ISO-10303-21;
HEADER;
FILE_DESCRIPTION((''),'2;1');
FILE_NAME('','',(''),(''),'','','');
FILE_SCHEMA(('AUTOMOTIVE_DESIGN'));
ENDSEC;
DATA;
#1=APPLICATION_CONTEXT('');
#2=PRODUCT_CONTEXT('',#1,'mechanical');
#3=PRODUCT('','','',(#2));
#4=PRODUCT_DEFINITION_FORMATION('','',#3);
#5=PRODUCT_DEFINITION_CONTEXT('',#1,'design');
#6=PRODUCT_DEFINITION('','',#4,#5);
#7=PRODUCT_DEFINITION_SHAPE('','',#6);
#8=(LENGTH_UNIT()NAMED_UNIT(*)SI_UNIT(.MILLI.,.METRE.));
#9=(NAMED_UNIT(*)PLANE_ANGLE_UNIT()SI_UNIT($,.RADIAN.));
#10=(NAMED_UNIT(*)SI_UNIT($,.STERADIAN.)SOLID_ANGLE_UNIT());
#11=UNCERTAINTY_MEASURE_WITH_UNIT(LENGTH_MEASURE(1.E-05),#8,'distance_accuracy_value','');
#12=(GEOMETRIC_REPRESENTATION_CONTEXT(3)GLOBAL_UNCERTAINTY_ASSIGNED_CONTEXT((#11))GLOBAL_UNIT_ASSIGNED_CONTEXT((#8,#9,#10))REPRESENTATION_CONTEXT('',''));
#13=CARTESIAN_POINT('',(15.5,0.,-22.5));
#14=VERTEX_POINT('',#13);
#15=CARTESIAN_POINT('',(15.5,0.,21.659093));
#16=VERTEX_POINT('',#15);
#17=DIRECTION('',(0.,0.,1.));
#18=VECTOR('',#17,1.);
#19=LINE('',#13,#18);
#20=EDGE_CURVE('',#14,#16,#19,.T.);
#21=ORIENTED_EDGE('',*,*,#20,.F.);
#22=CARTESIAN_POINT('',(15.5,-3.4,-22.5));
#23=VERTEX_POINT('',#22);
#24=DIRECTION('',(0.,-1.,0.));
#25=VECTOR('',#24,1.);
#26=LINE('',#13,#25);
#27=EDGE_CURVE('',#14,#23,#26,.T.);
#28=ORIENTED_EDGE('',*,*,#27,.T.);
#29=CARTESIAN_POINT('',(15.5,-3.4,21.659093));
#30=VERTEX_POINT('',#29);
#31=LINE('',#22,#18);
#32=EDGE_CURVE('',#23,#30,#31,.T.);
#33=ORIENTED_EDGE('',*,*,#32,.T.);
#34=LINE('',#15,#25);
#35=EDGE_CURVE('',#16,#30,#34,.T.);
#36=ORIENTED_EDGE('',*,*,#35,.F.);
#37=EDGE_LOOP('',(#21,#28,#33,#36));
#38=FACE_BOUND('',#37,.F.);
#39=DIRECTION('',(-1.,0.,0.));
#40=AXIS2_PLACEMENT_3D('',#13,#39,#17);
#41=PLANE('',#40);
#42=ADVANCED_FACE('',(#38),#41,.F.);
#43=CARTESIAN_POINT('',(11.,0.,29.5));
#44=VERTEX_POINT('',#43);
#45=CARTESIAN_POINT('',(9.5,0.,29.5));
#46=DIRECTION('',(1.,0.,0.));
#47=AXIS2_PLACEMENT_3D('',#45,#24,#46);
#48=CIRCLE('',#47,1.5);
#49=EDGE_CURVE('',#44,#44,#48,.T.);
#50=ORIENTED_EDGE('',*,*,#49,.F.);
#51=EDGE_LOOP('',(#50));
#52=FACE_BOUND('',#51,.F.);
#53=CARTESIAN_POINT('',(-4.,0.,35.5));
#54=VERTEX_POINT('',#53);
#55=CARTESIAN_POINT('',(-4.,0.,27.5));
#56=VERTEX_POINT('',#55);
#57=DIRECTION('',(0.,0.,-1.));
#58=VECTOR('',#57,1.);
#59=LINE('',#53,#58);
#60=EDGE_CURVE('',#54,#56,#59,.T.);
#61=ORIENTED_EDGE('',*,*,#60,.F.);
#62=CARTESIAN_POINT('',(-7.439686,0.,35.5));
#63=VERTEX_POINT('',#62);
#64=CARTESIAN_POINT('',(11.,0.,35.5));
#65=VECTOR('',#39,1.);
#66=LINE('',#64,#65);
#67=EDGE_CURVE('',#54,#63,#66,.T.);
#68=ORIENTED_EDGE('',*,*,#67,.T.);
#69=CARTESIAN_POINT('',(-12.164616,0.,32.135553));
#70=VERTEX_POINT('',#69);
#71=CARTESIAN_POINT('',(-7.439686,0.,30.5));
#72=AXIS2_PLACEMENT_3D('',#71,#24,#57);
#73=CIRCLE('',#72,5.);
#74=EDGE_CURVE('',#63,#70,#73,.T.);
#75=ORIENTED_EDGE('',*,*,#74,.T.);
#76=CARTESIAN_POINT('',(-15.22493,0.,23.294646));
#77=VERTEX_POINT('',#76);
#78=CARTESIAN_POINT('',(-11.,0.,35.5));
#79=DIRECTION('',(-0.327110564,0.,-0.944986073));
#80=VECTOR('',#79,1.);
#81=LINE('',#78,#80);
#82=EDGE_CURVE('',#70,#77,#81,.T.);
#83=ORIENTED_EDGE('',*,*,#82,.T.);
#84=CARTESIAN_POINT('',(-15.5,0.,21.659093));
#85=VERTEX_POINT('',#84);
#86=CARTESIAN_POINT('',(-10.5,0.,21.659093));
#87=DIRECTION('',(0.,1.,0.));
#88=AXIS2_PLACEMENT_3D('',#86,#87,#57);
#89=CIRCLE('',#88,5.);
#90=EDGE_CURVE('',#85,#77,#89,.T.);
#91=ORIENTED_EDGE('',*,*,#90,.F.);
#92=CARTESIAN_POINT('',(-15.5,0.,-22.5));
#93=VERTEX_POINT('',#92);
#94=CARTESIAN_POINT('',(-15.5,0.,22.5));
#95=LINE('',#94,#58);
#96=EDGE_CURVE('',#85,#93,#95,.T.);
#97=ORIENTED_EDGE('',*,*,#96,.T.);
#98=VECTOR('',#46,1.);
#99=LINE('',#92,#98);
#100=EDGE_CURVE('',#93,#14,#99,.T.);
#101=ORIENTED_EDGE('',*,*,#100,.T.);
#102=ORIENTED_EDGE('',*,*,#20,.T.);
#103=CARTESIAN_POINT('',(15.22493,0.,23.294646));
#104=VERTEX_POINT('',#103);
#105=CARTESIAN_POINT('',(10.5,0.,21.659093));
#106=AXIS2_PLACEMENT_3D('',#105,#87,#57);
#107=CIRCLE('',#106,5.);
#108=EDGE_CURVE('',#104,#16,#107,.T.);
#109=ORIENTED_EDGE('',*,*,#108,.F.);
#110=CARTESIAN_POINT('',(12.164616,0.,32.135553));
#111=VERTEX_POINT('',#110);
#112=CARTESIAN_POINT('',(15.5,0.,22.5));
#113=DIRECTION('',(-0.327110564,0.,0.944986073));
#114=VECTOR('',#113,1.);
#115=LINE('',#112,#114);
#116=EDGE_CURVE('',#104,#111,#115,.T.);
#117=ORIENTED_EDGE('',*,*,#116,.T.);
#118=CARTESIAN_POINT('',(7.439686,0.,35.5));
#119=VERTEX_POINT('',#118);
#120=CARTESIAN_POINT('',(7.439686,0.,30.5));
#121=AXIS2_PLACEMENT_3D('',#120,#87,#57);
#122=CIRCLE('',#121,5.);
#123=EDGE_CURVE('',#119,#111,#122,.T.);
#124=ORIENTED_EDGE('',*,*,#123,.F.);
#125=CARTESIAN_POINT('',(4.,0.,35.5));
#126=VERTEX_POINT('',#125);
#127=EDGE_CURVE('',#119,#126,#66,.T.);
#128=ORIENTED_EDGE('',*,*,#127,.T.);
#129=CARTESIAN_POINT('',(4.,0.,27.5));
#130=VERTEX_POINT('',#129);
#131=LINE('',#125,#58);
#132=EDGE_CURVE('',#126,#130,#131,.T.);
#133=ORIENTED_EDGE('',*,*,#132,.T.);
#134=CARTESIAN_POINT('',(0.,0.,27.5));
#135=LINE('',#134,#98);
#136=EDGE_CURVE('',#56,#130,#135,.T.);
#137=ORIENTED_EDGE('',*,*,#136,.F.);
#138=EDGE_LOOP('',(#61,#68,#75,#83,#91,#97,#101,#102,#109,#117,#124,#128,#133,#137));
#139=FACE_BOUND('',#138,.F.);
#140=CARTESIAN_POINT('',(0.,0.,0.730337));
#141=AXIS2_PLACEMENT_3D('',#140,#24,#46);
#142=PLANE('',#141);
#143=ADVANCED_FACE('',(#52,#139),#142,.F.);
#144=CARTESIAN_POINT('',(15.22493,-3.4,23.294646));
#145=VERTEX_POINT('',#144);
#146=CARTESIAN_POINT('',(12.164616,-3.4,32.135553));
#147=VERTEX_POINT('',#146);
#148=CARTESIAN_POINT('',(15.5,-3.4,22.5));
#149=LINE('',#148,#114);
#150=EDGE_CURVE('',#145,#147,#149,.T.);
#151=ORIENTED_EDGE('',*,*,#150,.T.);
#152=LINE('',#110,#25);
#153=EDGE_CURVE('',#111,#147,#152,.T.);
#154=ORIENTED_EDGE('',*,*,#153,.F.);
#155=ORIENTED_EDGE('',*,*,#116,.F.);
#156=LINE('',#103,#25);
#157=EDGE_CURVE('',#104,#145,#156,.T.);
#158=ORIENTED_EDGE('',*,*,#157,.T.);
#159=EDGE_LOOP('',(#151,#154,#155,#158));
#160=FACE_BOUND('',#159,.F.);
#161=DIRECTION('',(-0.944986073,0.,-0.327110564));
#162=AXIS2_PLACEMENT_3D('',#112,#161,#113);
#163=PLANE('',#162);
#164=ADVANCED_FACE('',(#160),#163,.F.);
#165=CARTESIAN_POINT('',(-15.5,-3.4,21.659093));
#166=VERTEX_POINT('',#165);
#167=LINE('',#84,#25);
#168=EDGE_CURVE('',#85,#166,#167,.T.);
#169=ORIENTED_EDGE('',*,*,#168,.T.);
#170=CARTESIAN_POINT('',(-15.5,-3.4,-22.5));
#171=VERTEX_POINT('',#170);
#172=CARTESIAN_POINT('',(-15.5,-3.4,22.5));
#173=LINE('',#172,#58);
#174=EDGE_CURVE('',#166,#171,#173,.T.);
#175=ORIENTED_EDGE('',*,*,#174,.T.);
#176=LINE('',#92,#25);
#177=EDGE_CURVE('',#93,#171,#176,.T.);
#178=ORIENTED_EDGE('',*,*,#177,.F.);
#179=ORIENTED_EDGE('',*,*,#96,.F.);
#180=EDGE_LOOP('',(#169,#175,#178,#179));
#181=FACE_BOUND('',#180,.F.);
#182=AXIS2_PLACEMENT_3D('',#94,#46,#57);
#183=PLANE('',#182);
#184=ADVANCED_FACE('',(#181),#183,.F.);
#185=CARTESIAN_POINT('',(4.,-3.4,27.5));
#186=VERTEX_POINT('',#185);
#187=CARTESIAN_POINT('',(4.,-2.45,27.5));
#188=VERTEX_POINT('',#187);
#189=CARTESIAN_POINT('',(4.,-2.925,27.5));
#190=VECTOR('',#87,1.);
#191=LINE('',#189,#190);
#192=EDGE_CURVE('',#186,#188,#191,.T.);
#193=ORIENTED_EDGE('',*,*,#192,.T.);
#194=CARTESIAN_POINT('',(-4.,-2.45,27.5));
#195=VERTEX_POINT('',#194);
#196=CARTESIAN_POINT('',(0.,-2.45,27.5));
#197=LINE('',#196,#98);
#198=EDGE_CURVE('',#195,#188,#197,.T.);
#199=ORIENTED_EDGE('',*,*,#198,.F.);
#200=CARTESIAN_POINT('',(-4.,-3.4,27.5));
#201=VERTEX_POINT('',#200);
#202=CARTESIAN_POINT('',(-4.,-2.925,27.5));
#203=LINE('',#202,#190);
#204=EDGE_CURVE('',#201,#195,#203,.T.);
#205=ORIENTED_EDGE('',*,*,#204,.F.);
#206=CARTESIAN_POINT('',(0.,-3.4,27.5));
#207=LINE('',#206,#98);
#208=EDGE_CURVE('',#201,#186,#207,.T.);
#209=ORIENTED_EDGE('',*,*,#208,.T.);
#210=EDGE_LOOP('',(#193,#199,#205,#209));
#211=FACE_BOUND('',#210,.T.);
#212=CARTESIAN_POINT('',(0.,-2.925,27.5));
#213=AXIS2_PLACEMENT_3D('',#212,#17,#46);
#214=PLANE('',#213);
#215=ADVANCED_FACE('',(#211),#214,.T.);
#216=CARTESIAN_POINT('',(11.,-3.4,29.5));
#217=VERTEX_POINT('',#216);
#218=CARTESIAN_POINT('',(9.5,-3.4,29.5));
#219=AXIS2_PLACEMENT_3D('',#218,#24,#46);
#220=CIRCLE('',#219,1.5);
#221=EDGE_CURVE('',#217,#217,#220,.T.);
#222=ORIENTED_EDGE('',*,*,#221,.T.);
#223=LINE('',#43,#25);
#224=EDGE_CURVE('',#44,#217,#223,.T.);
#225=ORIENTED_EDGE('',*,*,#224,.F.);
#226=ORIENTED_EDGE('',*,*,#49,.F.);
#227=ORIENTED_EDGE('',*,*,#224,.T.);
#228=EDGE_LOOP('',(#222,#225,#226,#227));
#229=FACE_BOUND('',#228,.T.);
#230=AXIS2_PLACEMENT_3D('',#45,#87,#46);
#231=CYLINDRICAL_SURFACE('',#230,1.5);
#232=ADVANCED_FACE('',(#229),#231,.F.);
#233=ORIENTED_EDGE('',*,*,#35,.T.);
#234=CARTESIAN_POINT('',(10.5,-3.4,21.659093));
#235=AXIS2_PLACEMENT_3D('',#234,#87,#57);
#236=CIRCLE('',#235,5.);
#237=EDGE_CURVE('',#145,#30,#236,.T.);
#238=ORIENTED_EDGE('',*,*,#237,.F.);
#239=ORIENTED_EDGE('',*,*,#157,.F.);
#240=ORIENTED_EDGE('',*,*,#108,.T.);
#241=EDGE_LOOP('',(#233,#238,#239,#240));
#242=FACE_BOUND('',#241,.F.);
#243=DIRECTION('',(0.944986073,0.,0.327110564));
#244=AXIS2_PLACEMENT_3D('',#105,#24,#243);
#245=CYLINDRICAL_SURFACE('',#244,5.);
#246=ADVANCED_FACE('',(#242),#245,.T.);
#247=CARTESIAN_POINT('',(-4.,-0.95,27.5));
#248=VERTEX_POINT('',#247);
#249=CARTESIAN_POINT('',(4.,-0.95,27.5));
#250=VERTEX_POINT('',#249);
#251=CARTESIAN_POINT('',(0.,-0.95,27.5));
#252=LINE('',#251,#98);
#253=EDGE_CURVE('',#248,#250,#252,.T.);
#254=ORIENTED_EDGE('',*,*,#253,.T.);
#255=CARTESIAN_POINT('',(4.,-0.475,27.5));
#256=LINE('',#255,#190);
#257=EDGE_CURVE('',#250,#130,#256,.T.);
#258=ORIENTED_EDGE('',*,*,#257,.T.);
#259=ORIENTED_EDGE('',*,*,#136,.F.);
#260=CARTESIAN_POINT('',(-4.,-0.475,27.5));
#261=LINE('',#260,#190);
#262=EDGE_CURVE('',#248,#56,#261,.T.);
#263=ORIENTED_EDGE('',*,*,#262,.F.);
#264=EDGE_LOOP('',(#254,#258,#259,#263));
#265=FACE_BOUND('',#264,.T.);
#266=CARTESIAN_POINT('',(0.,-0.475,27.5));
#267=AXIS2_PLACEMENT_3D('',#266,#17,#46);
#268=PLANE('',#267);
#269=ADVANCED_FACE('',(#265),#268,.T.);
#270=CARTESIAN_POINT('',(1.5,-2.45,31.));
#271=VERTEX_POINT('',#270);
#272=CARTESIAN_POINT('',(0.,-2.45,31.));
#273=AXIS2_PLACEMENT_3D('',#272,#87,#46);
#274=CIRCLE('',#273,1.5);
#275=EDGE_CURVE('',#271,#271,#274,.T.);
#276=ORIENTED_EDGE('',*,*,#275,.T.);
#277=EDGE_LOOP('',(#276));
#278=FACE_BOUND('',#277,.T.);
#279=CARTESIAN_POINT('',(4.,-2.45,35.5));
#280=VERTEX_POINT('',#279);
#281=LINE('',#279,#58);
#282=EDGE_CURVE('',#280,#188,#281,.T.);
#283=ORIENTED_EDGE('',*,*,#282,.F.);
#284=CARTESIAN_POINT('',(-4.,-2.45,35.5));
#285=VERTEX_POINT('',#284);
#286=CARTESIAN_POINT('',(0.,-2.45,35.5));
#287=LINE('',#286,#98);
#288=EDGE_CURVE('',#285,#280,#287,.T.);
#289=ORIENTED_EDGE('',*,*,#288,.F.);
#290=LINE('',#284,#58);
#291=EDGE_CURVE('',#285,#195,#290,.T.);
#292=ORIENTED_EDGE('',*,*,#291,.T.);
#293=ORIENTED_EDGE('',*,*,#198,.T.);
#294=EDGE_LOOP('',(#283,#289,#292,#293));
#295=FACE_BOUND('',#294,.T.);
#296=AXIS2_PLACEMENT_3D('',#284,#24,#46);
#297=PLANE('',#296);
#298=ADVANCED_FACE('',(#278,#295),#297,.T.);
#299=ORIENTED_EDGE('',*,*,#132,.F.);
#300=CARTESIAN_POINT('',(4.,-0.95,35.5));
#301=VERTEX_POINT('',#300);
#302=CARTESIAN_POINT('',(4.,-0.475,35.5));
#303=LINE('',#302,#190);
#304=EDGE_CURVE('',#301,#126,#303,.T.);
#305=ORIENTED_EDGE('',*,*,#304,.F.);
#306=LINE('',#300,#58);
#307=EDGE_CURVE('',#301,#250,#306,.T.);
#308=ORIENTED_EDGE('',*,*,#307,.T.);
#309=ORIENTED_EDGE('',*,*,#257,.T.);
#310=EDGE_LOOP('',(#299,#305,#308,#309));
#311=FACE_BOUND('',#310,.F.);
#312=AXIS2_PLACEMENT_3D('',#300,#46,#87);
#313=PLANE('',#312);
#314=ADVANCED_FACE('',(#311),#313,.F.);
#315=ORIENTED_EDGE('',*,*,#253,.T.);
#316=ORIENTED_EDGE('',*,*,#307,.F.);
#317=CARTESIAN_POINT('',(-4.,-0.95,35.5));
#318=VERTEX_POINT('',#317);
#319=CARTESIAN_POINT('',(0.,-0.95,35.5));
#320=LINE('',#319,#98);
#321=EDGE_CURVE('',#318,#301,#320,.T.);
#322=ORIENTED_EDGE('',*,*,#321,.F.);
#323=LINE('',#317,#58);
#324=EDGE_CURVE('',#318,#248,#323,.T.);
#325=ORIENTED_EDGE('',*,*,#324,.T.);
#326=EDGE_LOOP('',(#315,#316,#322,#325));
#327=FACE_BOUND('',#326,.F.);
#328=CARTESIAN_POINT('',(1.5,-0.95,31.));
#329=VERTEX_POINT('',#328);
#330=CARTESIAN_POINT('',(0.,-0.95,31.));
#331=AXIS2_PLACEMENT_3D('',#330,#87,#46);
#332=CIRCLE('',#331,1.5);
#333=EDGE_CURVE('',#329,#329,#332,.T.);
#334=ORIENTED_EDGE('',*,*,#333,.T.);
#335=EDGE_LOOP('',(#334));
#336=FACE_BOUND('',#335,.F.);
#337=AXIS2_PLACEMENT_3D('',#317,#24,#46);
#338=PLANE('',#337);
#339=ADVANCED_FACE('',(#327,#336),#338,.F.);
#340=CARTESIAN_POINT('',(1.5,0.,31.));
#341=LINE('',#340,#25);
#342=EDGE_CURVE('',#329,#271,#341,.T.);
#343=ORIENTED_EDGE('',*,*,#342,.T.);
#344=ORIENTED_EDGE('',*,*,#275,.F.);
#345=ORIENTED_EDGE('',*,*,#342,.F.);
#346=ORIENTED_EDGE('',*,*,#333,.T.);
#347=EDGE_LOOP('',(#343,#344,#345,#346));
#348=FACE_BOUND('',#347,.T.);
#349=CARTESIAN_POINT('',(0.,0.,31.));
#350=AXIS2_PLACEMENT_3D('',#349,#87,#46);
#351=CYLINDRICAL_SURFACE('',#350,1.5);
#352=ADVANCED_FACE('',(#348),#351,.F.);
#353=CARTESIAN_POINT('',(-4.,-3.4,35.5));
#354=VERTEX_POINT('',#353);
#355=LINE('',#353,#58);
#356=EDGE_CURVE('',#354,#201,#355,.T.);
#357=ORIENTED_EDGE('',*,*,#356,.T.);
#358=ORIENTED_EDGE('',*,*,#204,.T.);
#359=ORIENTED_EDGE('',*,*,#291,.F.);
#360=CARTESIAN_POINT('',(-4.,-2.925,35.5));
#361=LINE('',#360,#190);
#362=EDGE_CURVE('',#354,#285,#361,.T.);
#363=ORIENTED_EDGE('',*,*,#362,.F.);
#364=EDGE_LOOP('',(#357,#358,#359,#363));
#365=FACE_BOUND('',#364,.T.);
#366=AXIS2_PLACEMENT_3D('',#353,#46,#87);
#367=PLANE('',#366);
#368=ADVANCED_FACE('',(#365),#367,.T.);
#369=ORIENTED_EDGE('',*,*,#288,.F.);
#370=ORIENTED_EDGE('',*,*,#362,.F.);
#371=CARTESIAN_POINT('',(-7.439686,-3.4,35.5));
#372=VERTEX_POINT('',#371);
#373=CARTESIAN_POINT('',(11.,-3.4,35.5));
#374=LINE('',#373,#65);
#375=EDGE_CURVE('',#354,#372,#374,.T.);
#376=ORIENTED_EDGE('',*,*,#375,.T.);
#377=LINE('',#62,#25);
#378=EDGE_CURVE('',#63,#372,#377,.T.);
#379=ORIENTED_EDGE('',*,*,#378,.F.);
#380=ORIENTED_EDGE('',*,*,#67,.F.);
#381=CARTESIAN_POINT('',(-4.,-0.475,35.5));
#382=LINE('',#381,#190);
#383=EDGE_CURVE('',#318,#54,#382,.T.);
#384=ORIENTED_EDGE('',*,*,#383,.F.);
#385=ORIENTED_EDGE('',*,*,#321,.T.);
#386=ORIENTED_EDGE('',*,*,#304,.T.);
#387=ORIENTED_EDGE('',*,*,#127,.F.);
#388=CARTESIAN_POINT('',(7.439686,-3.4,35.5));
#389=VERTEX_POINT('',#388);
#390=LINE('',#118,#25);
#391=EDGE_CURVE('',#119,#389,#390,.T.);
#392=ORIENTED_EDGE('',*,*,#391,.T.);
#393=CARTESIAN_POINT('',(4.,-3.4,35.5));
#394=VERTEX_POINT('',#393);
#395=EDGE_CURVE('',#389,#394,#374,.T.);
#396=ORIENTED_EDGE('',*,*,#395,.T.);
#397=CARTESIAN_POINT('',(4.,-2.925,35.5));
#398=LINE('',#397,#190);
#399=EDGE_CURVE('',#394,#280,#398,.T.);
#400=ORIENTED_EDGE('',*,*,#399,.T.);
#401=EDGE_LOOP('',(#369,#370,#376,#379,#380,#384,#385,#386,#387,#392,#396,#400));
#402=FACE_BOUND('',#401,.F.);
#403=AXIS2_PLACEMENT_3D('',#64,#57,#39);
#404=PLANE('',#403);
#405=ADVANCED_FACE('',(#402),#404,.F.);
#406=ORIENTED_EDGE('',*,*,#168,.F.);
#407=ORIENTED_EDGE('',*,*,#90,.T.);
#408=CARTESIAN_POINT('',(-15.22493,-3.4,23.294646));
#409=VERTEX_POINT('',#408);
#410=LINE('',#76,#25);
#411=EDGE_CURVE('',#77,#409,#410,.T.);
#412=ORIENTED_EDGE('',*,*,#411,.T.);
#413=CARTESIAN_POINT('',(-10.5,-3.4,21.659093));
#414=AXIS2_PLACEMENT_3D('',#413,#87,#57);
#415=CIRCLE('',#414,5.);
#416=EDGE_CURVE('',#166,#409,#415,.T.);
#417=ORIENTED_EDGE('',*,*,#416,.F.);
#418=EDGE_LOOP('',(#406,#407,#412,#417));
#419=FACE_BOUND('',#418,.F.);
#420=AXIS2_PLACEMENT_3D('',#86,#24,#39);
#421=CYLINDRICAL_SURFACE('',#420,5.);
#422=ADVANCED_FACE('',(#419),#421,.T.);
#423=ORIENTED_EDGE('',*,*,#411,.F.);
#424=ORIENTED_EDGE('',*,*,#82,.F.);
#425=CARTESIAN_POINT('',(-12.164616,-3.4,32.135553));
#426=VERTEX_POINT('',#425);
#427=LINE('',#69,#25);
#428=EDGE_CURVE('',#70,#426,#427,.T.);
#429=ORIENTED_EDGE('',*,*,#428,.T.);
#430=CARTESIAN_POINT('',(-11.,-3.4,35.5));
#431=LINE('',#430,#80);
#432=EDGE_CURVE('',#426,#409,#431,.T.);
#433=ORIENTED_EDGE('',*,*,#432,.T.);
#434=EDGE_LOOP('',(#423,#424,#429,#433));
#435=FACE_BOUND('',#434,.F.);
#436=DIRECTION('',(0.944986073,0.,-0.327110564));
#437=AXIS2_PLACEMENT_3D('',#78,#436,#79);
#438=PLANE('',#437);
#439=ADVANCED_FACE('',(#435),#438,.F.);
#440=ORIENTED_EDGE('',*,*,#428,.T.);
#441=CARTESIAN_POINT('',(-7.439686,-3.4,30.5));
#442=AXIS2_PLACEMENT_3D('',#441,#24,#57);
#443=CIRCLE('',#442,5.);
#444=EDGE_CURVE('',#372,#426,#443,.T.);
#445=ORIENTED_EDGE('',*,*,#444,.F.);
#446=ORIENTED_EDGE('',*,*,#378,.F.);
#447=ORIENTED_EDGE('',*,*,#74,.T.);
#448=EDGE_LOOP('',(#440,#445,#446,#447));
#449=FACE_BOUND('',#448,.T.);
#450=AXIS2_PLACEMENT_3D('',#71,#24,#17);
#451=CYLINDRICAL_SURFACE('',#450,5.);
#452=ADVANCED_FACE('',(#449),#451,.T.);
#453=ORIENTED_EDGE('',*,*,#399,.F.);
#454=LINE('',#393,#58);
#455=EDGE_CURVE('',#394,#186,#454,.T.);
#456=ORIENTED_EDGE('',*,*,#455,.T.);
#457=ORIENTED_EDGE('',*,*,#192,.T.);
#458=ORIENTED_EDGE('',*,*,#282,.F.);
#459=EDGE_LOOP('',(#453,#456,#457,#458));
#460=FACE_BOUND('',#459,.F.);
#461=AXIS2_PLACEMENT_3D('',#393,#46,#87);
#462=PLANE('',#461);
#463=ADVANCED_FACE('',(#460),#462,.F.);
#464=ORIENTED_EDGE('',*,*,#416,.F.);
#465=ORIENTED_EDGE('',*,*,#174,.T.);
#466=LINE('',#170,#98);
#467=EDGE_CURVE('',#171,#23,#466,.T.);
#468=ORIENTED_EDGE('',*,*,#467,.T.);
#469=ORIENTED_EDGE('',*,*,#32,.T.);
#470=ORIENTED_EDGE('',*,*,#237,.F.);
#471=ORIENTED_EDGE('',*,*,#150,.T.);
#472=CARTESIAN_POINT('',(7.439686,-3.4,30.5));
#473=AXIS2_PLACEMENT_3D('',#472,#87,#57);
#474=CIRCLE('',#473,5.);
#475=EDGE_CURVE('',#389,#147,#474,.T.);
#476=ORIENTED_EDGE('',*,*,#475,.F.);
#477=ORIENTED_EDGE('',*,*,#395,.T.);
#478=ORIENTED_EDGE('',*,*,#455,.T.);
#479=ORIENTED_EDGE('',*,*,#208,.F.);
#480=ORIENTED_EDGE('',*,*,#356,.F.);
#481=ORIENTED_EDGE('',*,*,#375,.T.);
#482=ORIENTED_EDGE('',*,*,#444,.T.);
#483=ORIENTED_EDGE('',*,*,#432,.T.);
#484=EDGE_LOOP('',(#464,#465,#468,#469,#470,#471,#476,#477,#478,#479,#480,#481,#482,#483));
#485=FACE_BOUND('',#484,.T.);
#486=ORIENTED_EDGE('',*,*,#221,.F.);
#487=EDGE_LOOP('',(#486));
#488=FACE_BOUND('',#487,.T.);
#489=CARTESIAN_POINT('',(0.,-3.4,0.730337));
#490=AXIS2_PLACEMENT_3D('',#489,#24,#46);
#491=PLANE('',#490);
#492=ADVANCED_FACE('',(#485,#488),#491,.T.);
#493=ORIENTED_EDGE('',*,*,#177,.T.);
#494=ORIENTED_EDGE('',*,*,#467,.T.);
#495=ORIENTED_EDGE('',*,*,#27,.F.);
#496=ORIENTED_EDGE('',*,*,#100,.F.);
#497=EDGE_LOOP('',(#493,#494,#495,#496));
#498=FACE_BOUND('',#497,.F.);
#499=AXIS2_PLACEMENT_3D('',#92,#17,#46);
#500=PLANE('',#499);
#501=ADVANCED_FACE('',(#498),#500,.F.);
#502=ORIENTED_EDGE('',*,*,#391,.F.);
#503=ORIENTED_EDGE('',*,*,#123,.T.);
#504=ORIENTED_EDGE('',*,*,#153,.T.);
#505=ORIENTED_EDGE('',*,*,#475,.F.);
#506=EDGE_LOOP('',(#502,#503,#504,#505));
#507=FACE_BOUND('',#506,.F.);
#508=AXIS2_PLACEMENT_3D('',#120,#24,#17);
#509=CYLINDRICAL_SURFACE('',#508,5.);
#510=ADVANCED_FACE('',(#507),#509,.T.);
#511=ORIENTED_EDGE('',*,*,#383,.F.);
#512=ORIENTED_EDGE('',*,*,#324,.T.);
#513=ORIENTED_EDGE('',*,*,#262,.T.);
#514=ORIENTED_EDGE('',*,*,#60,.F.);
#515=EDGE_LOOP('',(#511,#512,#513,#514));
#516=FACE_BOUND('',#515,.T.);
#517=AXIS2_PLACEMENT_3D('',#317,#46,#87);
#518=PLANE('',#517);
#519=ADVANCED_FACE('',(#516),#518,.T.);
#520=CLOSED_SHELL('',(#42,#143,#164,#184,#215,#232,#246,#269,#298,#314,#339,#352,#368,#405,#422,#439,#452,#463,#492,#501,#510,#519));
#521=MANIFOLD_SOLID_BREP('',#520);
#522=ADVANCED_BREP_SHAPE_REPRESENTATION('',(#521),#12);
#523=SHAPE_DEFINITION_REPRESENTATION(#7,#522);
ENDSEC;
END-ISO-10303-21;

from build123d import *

# Parameters (mm, degrees)
F1_R     = 1.5
F1_W     = 22
F1_H     = 13
F2_DEPTH = 3.4
F3_W     = 8
F3_H     = 0.95
F4_DEPTH = 8
F5_DEPTH = 8
F6_R     = 5
F7_R     = 5
F8_R     = 5
F9_R     = 5


with BuildPart() as f2:
    # F1 (on Front) → F2 (new body)
    with BuildSketch(Plane.XZ):
        Polygon((15.5, -22.5), (15.5, 22.5), (11, 22.5), (11, 9.5), (-11, 9.5), (-11, 22.5), (-15.5, 22.5), (-15.5, -22.5), align=None)
        Polygon((11, 22.5), (15.5, 22.5), (11, 35.5), (11, 29.5), align=None)
        Polygon((-11, 22.5), (11, 22.5), (11, 29.5), (11, 35.5), (-11, 35.5), align=None)
        with Locations((0, 31)):
            Circle(F1_R, mode=Mode.SUBTRACT)
        with Locations((9.5, 29.5)):
            Circle(F1_R, mode=Mode.SUBTRACT)
        Polygon((-15.5, 22.5), (-11, 22.5), (-11, 35.5), align=None)
        with Locations((0, 16)):
            Rectangle(F1_W, F1_H)
    extrude(amount=F2_DEPTH)

    # F3 (on face) → F4 (cut)
    with BuildSketch(Plane.XY.offset(35.5)):
        with Locations((0, -0.475)):
            Rectangle(F3_W, F3_H)
    extrude(amount=-F4_DEPTH, mode=Mode.SUBTRACT)

    # F3 (on face) → F5 (cut)
    with BuildSketch(Plane.XY.offset(35.5)):
        with Locations((0, -2.925)):
            Rectangle(F3_W, F3_H)
    extrude(amount=-F5_DEPTH, mode=Mode.SUBTRACT)

    # F6
    f6_edges = [f2.edges().sort_by_distance(p)[0] for p in [
        (-11, -1.7, 35.5),
    ]]
    fillet(f6_edges, radius=F6_R)

    # F7
    f7_edges = [f2.edges().sort_by_distance(p)[0] for p in [
        (11, -1.7, 35.5),
    ]]
    fillet(f7_edges, radius=F7_R)

    # F8
    f8_edges = [f2.edges().sort_by_distance(p)[0] for p in [
        (15.5, -1.7, 22.5),
    ]]
    fillet(f8_edges, radius=F8_R)

    # F9
    f9_edges = [f2.edges().sort_by_distance(p)[0] for p in [
        (-15.5, -1.7, 22.5),
    ]]
    fillet(f9_edges, radius=F9_R)


solid = f2.part
